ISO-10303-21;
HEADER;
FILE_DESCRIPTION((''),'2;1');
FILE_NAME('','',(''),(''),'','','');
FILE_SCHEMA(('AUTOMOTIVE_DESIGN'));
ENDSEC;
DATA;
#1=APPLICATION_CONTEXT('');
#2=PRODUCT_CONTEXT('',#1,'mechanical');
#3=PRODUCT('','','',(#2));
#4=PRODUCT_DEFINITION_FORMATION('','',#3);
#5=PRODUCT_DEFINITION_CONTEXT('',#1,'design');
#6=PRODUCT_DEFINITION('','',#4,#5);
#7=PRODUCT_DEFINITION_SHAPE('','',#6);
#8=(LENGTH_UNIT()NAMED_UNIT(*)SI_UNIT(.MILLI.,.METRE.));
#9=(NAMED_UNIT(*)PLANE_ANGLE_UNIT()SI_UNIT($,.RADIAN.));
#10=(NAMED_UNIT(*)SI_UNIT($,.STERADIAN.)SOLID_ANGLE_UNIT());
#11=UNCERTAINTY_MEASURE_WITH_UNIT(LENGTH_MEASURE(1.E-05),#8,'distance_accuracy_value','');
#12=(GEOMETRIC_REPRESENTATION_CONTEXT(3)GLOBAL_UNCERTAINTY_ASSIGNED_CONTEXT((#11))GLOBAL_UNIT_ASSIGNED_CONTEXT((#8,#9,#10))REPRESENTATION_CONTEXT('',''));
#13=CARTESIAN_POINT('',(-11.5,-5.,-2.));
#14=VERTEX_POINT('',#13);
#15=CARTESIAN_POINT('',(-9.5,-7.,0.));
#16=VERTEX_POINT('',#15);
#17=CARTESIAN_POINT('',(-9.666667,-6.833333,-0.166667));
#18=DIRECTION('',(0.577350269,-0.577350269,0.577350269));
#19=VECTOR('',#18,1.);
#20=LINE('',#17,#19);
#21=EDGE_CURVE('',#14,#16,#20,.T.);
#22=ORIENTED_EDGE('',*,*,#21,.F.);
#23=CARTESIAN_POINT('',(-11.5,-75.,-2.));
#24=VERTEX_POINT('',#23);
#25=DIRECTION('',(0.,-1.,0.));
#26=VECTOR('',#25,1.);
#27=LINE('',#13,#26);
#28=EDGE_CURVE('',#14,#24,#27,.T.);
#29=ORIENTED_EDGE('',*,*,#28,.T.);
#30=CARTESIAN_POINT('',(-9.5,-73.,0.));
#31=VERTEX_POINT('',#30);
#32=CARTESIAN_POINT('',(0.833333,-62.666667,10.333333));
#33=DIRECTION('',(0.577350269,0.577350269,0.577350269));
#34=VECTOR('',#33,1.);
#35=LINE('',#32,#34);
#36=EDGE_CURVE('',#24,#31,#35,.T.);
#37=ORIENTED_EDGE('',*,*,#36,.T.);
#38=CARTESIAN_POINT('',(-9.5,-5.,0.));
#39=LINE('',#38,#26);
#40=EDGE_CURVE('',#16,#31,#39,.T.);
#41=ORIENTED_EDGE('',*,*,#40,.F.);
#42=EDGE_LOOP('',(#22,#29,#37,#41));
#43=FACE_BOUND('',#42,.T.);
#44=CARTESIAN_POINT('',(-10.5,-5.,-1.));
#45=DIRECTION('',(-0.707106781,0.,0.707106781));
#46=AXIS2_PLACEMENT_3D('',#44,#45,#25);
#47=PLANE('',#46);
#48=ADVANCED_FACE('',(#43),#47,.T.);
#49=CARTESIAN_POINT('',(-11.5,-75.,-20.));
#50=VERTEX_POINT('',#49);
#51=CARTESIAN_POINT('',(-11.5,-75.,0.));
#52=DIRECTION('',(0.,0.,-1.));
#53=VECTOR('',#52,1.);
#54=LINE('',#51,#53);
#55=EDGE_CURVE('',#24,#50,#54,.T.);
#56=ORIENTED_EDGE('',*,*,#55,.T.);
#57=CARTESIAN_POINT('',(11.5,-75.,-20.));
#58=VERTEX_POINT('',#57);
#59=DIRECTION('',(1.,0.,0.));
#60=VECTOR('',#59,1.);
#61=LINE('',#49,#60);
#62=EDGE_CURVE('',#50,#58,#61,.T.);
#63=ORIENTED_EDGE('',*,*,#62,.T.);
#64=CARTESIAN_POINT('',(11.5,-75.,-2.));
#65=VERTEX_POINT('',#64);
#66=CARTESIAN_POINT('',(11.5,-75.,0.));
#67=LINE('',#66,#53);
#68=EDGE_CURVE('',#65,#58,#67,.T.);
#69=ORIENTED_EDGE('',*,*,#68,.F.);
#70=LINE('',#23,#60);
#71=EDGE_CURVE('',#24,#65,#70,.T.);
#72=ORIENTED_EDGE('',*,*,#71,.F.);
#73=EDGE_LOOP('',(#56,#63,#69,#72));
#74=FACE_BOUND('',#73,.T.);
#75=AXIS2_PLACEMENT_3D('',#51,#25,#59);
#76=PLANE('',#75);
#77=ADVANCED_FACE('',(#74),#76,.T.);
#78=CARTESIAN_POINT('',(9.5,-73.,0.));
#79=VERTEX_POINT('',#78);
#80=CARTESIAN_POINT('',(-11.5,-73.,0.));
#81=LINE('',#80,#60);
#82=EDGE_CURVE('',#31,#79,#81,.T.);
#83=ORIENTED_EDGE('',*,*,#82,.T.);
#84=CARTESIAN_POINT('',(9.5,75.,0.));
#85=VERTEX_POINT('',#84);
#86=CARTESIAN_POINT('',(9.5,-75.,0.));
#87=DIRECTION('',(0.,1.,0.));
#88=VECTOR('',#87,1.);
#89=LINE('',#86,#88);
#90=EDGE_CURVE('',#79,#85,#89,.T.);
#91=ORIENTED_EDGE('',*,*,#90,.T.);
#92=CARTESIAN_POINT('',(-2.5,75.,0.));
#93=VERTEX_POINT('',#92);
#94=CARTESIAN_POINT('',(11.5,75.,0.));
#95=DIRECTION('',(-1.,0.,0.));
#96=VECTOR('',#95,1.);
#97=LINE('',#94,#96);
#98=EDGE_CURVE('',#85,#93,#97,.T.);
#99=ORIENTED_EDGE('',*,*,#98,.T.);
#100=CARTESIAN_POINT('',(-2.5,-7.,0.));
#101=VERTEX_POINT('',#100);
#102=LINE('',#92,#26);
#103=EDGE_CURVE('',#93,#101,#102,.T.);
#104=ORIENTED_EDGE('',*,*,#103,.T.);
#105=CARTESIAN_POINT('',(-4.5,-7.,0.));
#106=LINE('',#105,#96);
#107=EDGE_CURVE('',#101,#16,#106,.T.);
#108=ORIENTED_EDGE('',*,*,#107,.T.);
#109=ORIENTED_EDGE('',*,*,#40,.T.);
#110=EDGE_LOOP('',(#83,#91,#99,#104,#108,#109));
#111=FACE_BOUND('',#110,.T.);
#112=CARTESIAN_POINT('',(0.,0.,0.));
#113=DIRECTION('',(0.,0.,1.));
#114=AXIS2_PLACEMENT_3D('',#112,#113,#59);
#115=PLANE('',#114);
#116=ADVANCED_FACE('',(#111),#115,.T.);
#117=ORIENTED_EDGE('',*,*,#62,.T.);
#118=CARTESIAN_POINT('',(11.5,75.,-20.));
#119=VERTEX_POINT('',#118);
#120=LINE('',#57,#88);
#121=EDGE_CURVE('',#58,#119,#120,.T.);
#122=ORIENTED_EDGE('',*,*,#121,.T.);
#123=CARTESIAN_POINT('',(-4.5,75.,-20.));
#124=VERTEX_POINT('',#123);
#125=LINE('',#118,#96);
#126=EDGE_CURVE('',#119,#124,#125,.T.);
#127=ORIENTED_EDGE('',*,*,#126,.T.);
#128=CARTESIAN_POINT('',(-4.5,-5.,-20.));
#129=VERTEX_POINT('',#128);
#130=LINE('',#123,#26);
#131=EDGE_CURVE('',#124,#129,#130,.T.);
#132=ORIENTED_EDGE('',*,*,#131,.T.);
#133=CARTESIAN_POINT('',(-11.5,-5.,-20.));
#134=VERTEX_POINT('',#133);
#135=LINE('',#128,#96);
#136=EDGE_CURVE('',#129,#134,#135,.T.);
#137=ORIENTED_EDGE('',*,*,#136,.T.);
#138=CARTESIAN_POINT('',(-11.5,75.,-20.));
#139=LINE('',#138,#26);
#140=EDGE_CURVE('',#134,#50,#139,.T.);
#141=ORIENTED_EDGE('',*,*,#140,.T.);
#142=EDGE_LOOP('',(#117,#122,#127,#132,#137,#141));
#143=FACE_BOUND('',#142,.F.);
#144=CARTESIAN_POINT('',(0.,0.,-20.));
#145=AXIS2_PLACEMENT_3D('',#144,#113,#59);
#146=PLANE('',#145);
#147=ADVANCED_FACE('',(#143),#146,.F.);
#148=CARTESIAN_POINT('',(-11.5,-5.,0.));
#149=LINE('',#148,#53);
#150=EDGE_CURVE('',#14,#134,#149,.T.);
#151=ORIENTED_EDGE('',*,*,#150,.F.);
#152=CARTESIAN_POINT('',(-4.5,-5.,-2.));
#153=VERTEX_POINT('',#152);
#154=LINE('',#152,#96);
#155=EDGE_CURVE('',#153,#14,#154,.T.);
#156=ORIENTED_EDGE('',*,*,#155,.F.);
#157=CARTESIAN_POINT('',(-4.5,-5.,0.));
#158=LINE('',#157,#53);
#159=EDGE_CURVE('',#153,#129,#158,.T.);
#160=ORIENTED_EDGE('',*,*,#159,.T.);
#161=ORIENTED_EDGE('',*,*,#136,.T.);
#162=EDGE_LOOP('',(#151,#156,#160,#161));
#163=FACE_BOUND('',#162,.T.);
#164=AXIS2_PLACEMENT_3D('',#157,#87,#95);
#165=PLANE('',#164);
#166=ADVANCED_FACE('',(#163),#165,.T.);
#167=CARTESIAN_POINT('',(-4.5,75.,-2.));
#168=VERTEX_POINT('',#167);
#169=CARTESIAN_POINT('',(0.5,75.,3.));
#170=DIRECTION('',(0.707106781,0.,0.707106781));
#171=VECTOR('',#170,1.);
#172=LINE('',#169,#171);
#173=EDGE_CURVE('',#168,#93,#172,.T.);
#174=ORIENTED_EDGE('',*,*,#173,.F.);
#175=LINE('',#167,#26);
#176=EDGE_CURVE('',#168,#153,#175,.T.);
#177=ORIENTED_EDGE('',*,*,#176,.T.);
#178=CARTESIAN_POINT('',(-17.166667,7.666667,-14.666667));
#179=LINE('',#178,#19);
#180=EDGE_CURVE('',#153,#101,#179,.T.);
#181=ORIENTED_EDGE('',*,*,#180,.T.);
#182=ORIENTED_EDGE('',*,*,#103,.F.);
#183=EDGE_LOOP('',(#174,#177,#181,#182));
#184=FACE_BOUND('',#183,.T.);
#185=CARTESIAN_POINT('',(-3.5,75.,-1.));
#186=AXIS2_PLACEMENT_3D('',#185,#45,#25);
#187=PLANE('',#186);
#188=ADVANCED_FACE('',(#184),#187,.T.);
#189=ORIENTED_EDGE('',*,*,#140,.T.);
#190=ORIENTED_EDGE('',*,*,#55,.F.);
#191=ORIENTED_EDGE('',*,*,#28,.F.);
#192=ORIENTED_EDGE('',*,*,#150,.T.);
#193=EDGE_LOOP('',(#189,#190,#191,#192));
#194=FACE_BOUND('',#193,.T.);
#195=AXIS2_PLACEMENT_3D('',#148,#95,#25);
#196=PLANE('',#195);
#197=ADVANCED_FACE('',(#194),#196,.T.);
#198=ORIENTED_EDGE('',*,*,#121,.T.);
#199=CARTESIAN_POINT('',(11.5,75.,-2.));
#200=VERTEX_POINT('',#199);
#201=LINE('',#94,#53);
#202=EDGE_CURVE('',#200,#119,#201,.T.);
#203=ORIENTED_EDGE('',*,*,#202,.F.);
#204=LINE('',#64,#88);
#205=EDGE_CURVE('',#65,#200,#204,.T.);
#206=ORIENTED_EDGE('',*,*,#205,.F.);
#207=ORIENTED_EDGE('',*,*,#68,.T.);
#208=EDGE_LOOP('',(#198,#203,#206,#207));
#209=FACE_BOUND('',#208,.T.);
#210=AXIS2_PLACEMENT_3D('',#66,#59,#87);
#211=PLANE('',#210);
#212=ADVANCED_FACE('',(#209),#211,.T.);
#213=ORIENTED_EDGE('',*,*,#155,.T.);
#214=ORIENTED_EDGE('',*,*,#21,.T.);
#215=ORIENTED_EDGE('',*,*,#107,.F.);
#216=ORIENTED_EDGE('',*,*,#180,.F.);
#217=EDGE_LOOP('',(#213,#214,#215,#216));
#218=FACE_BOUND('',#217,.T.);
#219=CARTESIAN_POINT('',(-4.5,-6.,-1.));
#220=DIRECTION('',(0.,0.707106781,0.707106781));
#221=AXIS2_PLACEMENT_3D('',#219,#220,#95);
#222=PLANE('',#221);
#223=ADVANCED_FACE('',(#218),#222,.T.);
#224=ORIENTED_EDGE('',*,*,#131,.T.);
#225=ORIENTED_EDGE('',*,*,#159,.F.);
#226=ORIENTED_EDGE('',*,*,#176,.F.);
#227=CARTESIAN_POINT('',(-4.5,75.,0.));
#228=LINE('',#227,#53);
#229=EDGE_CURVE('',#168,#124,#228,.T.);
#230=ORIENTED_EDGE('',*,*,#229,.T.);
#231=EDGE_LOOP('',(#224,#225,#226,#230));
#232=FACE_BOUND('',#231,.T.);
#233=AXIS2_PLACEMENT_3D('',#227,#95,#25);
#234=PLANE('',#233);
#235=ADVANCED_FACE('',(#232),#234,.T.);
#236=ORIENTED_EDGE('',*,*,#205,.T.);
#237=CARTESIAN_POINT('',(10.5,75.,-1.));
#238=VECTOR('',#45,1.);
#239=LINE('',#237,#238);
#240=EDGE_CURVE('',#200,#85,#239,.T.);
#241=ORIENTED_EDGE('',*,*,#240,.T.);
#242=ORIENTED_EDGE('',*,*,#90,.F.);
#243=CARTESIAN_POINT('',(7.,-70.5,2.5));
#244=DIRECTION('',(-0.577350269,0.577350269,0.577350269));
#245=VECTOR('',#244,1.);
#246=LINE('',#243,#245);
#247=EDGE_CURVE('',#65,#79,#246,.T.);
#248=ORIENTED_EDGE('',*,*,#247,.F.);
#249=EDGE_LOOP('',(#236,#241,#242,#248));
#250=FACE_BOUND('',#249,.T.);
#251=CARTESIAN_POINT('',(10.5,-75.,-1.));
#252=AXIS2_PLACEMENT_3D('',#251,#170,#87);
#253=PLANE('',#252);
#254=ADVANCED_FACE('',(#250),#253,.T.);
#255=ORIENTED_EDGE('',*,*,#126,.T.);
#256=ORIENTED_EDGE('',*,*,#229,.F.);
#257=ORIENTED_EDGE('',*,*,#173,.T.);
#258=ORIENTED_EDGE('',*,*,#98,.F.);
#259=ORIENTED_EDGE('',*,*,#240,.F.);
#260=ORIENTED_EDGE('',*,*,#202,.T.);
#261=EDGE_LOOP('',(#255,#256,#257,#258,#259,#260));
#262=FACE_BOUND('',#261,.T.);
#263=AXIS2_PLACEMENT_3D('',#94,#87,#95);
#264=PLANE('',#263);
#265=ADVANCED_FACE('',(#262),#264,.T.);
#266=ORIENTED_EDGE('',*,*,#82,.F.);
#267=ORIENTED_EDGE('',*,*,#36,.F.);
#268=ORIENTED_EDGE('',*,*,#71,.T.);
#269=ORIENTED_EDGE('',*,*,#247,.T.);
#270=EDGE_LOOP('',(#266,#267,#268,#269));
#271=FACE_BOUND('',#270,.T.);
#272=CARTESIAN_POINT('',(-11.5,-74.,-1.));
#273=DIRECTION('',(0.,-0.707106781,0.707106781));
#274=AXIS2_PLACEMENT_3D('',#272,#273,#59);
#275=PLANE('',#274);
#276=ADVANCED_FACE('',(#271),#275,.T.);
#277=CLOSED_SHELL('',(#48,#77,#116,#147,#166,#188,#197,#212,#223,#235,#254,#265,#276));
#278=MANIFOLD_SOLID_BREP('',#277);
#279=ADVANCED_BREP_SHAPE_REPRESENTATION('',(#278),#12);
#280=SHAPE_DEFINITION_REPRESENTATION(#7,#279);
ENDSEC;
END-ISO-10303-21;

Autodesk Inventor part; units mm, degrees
ref_plane "YZ Plane" through (0, 0, 0) normal (1, 0, 0) x (0, 1, 0)
ref_plane "XZ Plane" through (0, 0, 0) normal (0, 1, 0) x (-1, 0, 0)
ref_plane "XY Plane" through (0, 0, 0) normal (0, 0, 1) x (1, 0, 0)
sketch "Sketch1" plane through (0, 0, 0) normal (0, 0, 1) x (1, 0, 0)
  line L0 (-11.5, -75) -> (11.5, -75)
  line L1 (11.5, -75) -> (11.5, 75)
  line L2 (11.5, 75) -> (-11.5, 75)
  line L3 (-11.5, 75) -> (-11.5, -75)
  line L4 (-11.5, -75) -> (11.5, 75) construction
  line L5 (11.5, -75) -> (-11.5, 75) construction
  line L6 (-11.5, 75) -> (-4.5, 75)
  line L7 (-4.5, 75) -> (-4.5, -5)
  line L8 (-4.5, -5) -> (-11.5, -5)
  line L9 (-11.5, -5) -> (-11.5, 75)
  point P0 (0, 0)
  dimension "d0" = 23
  dimension "d1" = 150
  dimension "d2" = 7
  dimension "d3" = 80
extrude "Extrusion1" add sketch "Sketch1" against normal blind 20 contours L3 L8 L7 L2 L1 L0
chamfer "Chamfer1" distance 2 angle 45 5 edges at (0, -75, 0) (-11.5, -40, 0) (11.5, 0, 0) (-8, -5, 0) (-4.5, 35, 0)
equation "\"d0\" = key_width"
equation "\"d1\" = key_length"
equation "\"d2\" = blackkey_halfwidth"
equation "\"d3\" = blackkey_length"
equation "\"d4\" = key_height"
equation "\"key_width\" = 23"
equation "\"key_length\" = 150"
equation "\"blackkey_halfwidth\" = 7"
equation "\"blackkey_length\" = 80"
equation "\"key_height\" = 20"
properties part number "key_2"
